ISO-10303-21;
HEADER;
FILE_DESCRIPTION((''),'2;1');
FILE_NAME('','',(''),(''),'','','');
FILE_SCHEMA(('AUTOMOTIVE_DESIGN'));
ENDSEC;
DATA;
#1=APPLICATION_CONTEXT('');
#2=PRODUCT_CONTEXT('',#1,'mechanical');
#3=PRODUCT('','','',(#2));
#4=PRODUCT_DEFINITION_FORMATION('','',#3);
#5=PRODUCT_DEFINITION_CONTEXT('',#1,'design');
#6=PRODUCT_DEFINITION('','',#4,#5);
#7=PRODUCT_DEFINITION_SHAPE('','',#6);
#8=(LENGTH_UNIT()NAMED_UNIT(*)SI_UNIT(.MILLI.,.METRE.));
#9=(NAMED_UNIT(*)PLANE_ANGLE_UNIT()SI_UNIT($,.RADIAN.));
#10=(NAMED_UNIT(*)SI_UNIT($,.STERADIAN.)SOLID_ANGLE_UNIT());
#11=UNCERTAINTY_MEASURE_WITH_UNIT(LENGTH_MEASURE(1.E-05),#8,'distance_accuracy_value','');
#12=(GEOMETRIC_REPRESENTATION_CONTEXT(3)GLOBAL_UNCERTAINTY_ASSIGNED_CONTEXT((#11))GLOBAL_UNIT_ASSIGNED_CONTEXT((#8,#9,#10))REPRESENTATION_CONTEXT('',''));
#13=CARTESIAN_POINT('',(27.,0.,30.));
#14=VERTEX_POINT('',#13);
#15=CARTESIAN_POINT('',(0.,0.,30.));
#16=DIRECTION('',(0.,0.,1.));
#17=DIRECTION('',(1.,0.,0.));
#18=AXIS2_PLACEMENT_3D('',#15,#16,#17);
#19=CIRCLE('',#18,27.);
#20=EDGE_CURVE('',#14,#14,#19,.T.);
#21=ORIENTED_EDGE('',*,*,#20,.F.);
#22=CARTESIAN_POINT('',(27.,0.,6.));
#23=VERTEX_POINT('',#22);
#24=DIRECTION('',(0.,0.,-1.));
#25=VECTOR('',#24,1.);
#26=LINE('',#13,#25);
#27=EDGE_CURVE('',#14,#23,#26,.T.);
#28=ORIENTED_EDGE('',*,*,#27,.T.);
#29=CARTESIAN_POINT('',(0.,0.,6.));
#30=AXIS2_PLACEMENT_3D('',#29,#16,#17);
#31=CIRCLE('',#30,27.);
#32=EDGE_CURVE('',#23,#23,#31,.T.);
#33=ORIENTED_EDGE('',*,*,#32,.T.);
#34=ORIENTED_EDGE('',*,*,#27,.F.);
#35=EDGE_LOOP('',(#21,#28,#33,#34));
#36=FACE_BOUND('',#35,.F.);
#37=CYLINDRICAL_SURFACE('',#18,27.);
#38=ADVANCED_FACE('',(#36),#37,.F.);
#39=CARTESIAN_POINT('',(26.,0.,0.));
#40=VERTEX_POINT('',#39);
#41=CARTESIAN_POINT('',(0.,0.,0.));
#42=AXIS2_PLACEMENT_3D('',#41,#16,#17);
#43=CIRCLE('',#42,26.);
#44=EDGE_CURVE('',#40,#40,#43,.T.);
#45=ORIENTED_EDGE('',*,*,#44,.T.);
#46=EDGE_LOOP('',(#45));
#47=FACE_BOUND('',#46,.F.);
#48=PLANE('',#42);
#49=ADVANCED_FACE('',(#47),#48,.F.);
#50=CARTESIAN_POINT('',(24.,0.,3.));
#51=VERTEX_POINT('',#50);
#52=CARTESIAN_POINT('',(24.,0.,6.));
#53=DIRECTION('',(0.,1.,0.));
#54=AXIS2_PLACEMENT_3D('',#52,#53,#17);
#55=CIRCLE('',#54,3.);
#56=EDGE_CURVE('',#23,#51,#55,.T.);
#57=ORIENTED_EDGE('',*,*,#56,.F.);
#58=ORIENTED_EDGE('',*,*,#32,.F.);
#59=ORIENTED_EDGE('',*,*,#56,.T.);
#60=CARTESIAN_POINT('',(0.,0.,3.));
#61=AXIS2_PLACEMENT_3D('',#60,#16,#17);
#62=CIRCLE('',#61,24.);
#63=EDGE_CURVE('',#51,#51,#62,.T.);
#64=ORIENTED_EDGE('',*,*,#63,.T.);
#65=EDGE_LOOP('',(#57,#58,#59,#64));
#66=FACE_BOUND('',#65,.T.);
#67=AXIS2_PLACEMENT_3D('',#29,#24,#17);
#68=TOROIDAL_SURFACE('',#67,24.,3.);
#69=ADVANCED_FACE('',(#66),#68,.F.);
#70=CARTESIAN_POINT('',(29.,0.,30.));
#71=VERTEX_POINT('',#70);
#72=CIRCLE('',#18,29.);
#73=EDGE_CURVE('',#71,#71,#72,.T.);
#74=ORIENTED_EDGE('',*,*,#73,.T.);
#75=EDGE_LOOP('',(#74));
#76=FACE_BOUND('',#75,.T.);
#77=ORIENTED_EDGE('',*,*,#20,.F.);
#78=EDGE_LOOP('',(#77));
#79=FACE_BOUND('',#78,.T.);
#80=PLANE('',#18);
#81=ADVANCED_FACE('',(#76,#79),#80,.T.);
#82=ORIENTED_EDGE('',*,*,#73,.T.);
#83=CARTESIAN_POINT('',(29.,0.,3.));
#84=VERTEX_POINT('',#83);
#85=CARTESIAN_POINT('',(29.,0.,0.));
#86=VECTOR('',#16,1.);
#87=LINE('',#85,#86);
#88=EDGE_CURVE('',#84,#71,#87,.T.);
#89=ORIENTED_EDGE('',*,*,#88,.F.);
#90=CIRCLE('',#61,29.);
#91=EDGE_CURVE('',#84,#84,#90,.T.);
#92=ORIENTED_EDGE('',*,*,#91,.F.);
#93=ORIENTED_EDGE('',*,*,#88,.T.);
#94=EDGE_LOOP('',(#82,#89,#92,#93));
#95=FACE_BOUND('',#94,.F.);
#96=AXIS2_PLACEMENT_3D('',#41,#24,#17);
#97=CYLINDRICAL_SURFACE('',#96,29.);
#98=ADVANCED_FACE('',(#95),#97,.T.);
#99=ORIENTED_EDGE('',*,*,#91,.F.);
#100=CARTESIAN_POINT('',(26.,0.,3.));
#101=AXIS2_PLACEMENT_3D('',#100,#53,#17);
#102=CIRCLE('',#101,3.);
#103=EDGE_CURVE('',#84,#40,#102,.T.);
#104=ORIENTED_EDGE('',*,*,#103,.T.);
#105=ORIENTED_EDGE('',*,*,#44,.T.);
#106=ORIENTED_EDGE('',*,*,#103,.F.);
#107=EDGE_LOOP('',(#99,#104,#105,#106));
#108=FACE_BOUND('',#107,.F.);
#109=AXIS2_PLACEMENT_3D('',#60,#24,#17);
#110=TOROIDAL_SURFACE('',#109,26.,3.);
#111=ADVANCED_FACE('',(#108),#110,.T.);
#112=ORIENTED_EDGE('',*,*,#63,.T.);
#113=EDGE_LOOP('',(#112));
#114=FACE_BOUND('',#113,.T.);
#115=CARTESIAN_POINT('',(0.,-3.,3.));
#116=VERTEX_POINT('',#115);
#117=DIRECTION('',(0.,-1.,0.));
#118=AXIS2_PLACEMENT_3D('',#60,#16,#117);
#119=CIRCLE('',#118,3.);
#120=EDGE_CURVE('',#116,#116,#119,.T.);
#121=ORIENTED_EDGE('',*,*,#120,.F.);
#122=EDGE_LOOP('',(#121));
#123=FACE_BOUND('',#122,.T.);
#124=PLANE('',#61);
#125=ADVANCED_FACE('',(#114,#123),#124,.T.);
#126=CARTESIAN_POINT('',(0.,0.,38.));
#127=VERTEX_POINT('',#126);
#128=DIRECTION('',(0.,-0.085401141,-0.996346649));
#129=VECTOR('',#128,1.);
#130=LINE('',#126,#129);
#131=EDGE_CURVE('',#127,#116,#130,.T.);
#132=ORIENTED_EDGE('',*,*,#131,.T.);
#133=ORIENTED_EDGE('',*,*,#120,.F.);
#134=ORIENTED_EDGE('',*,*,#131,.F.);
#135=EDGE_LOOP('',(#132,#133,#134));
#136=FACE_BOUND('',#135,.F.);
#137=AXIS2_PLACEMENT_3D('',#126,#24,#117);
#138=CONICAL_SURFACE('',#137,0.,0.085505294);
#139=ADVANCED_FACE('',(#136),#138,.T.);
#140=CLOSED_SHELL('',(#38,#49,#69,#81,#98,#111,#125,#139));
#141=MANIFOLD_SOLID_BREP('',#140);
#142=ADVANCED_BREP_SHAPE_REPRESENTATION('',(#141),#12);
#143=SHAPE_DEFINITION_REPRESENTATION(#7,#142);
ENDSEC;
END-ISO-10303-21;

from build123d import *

# Parameters (mm, degrees)
F0_R     = 29
F1_DEPTH = 30
F3_R     = 27
F4_DEPTH = 27
F5_R     = 3
F6_R     = 3


with BuildPart() as f1:
    # F0 (on Top) → F1 (new body)
    with BuildSketch(Plane.XY):
        Circle(F0_R)
    extrude(amount=F1_DEPTH)

    # F3 (on offset) → F4 (cut)
    with BuildSketch(Plane.XY.offset(30)):
        Circle(F3_R)
    extrude(amount=-F4_DEPTH, mode=Mode.SUBTRACT)

    # F5
    f5_edges = [f1.edges().sort_by_distance(p)[0] for p in [
        (-27, 0, 3),
    ]]
    fillet(f5_edges, radius=F5_R)

    # F6
    f6_edges = [f1.edges().sort_by_distance(p)[0] for p in [
        (-29, 0, 0),
    ]]
    fillet(f6_edges, radius=F6_R)

    # F7 (on Right) → F8 (revolve)
    with BuildSketch(Plane.YZ):
        Polygon((-3, 3), (0, 3), (0, 38), align=None)
    revolve(axis=Axis((0, 0, 20.5), (0, 0, 1)))


solid = f1.part
